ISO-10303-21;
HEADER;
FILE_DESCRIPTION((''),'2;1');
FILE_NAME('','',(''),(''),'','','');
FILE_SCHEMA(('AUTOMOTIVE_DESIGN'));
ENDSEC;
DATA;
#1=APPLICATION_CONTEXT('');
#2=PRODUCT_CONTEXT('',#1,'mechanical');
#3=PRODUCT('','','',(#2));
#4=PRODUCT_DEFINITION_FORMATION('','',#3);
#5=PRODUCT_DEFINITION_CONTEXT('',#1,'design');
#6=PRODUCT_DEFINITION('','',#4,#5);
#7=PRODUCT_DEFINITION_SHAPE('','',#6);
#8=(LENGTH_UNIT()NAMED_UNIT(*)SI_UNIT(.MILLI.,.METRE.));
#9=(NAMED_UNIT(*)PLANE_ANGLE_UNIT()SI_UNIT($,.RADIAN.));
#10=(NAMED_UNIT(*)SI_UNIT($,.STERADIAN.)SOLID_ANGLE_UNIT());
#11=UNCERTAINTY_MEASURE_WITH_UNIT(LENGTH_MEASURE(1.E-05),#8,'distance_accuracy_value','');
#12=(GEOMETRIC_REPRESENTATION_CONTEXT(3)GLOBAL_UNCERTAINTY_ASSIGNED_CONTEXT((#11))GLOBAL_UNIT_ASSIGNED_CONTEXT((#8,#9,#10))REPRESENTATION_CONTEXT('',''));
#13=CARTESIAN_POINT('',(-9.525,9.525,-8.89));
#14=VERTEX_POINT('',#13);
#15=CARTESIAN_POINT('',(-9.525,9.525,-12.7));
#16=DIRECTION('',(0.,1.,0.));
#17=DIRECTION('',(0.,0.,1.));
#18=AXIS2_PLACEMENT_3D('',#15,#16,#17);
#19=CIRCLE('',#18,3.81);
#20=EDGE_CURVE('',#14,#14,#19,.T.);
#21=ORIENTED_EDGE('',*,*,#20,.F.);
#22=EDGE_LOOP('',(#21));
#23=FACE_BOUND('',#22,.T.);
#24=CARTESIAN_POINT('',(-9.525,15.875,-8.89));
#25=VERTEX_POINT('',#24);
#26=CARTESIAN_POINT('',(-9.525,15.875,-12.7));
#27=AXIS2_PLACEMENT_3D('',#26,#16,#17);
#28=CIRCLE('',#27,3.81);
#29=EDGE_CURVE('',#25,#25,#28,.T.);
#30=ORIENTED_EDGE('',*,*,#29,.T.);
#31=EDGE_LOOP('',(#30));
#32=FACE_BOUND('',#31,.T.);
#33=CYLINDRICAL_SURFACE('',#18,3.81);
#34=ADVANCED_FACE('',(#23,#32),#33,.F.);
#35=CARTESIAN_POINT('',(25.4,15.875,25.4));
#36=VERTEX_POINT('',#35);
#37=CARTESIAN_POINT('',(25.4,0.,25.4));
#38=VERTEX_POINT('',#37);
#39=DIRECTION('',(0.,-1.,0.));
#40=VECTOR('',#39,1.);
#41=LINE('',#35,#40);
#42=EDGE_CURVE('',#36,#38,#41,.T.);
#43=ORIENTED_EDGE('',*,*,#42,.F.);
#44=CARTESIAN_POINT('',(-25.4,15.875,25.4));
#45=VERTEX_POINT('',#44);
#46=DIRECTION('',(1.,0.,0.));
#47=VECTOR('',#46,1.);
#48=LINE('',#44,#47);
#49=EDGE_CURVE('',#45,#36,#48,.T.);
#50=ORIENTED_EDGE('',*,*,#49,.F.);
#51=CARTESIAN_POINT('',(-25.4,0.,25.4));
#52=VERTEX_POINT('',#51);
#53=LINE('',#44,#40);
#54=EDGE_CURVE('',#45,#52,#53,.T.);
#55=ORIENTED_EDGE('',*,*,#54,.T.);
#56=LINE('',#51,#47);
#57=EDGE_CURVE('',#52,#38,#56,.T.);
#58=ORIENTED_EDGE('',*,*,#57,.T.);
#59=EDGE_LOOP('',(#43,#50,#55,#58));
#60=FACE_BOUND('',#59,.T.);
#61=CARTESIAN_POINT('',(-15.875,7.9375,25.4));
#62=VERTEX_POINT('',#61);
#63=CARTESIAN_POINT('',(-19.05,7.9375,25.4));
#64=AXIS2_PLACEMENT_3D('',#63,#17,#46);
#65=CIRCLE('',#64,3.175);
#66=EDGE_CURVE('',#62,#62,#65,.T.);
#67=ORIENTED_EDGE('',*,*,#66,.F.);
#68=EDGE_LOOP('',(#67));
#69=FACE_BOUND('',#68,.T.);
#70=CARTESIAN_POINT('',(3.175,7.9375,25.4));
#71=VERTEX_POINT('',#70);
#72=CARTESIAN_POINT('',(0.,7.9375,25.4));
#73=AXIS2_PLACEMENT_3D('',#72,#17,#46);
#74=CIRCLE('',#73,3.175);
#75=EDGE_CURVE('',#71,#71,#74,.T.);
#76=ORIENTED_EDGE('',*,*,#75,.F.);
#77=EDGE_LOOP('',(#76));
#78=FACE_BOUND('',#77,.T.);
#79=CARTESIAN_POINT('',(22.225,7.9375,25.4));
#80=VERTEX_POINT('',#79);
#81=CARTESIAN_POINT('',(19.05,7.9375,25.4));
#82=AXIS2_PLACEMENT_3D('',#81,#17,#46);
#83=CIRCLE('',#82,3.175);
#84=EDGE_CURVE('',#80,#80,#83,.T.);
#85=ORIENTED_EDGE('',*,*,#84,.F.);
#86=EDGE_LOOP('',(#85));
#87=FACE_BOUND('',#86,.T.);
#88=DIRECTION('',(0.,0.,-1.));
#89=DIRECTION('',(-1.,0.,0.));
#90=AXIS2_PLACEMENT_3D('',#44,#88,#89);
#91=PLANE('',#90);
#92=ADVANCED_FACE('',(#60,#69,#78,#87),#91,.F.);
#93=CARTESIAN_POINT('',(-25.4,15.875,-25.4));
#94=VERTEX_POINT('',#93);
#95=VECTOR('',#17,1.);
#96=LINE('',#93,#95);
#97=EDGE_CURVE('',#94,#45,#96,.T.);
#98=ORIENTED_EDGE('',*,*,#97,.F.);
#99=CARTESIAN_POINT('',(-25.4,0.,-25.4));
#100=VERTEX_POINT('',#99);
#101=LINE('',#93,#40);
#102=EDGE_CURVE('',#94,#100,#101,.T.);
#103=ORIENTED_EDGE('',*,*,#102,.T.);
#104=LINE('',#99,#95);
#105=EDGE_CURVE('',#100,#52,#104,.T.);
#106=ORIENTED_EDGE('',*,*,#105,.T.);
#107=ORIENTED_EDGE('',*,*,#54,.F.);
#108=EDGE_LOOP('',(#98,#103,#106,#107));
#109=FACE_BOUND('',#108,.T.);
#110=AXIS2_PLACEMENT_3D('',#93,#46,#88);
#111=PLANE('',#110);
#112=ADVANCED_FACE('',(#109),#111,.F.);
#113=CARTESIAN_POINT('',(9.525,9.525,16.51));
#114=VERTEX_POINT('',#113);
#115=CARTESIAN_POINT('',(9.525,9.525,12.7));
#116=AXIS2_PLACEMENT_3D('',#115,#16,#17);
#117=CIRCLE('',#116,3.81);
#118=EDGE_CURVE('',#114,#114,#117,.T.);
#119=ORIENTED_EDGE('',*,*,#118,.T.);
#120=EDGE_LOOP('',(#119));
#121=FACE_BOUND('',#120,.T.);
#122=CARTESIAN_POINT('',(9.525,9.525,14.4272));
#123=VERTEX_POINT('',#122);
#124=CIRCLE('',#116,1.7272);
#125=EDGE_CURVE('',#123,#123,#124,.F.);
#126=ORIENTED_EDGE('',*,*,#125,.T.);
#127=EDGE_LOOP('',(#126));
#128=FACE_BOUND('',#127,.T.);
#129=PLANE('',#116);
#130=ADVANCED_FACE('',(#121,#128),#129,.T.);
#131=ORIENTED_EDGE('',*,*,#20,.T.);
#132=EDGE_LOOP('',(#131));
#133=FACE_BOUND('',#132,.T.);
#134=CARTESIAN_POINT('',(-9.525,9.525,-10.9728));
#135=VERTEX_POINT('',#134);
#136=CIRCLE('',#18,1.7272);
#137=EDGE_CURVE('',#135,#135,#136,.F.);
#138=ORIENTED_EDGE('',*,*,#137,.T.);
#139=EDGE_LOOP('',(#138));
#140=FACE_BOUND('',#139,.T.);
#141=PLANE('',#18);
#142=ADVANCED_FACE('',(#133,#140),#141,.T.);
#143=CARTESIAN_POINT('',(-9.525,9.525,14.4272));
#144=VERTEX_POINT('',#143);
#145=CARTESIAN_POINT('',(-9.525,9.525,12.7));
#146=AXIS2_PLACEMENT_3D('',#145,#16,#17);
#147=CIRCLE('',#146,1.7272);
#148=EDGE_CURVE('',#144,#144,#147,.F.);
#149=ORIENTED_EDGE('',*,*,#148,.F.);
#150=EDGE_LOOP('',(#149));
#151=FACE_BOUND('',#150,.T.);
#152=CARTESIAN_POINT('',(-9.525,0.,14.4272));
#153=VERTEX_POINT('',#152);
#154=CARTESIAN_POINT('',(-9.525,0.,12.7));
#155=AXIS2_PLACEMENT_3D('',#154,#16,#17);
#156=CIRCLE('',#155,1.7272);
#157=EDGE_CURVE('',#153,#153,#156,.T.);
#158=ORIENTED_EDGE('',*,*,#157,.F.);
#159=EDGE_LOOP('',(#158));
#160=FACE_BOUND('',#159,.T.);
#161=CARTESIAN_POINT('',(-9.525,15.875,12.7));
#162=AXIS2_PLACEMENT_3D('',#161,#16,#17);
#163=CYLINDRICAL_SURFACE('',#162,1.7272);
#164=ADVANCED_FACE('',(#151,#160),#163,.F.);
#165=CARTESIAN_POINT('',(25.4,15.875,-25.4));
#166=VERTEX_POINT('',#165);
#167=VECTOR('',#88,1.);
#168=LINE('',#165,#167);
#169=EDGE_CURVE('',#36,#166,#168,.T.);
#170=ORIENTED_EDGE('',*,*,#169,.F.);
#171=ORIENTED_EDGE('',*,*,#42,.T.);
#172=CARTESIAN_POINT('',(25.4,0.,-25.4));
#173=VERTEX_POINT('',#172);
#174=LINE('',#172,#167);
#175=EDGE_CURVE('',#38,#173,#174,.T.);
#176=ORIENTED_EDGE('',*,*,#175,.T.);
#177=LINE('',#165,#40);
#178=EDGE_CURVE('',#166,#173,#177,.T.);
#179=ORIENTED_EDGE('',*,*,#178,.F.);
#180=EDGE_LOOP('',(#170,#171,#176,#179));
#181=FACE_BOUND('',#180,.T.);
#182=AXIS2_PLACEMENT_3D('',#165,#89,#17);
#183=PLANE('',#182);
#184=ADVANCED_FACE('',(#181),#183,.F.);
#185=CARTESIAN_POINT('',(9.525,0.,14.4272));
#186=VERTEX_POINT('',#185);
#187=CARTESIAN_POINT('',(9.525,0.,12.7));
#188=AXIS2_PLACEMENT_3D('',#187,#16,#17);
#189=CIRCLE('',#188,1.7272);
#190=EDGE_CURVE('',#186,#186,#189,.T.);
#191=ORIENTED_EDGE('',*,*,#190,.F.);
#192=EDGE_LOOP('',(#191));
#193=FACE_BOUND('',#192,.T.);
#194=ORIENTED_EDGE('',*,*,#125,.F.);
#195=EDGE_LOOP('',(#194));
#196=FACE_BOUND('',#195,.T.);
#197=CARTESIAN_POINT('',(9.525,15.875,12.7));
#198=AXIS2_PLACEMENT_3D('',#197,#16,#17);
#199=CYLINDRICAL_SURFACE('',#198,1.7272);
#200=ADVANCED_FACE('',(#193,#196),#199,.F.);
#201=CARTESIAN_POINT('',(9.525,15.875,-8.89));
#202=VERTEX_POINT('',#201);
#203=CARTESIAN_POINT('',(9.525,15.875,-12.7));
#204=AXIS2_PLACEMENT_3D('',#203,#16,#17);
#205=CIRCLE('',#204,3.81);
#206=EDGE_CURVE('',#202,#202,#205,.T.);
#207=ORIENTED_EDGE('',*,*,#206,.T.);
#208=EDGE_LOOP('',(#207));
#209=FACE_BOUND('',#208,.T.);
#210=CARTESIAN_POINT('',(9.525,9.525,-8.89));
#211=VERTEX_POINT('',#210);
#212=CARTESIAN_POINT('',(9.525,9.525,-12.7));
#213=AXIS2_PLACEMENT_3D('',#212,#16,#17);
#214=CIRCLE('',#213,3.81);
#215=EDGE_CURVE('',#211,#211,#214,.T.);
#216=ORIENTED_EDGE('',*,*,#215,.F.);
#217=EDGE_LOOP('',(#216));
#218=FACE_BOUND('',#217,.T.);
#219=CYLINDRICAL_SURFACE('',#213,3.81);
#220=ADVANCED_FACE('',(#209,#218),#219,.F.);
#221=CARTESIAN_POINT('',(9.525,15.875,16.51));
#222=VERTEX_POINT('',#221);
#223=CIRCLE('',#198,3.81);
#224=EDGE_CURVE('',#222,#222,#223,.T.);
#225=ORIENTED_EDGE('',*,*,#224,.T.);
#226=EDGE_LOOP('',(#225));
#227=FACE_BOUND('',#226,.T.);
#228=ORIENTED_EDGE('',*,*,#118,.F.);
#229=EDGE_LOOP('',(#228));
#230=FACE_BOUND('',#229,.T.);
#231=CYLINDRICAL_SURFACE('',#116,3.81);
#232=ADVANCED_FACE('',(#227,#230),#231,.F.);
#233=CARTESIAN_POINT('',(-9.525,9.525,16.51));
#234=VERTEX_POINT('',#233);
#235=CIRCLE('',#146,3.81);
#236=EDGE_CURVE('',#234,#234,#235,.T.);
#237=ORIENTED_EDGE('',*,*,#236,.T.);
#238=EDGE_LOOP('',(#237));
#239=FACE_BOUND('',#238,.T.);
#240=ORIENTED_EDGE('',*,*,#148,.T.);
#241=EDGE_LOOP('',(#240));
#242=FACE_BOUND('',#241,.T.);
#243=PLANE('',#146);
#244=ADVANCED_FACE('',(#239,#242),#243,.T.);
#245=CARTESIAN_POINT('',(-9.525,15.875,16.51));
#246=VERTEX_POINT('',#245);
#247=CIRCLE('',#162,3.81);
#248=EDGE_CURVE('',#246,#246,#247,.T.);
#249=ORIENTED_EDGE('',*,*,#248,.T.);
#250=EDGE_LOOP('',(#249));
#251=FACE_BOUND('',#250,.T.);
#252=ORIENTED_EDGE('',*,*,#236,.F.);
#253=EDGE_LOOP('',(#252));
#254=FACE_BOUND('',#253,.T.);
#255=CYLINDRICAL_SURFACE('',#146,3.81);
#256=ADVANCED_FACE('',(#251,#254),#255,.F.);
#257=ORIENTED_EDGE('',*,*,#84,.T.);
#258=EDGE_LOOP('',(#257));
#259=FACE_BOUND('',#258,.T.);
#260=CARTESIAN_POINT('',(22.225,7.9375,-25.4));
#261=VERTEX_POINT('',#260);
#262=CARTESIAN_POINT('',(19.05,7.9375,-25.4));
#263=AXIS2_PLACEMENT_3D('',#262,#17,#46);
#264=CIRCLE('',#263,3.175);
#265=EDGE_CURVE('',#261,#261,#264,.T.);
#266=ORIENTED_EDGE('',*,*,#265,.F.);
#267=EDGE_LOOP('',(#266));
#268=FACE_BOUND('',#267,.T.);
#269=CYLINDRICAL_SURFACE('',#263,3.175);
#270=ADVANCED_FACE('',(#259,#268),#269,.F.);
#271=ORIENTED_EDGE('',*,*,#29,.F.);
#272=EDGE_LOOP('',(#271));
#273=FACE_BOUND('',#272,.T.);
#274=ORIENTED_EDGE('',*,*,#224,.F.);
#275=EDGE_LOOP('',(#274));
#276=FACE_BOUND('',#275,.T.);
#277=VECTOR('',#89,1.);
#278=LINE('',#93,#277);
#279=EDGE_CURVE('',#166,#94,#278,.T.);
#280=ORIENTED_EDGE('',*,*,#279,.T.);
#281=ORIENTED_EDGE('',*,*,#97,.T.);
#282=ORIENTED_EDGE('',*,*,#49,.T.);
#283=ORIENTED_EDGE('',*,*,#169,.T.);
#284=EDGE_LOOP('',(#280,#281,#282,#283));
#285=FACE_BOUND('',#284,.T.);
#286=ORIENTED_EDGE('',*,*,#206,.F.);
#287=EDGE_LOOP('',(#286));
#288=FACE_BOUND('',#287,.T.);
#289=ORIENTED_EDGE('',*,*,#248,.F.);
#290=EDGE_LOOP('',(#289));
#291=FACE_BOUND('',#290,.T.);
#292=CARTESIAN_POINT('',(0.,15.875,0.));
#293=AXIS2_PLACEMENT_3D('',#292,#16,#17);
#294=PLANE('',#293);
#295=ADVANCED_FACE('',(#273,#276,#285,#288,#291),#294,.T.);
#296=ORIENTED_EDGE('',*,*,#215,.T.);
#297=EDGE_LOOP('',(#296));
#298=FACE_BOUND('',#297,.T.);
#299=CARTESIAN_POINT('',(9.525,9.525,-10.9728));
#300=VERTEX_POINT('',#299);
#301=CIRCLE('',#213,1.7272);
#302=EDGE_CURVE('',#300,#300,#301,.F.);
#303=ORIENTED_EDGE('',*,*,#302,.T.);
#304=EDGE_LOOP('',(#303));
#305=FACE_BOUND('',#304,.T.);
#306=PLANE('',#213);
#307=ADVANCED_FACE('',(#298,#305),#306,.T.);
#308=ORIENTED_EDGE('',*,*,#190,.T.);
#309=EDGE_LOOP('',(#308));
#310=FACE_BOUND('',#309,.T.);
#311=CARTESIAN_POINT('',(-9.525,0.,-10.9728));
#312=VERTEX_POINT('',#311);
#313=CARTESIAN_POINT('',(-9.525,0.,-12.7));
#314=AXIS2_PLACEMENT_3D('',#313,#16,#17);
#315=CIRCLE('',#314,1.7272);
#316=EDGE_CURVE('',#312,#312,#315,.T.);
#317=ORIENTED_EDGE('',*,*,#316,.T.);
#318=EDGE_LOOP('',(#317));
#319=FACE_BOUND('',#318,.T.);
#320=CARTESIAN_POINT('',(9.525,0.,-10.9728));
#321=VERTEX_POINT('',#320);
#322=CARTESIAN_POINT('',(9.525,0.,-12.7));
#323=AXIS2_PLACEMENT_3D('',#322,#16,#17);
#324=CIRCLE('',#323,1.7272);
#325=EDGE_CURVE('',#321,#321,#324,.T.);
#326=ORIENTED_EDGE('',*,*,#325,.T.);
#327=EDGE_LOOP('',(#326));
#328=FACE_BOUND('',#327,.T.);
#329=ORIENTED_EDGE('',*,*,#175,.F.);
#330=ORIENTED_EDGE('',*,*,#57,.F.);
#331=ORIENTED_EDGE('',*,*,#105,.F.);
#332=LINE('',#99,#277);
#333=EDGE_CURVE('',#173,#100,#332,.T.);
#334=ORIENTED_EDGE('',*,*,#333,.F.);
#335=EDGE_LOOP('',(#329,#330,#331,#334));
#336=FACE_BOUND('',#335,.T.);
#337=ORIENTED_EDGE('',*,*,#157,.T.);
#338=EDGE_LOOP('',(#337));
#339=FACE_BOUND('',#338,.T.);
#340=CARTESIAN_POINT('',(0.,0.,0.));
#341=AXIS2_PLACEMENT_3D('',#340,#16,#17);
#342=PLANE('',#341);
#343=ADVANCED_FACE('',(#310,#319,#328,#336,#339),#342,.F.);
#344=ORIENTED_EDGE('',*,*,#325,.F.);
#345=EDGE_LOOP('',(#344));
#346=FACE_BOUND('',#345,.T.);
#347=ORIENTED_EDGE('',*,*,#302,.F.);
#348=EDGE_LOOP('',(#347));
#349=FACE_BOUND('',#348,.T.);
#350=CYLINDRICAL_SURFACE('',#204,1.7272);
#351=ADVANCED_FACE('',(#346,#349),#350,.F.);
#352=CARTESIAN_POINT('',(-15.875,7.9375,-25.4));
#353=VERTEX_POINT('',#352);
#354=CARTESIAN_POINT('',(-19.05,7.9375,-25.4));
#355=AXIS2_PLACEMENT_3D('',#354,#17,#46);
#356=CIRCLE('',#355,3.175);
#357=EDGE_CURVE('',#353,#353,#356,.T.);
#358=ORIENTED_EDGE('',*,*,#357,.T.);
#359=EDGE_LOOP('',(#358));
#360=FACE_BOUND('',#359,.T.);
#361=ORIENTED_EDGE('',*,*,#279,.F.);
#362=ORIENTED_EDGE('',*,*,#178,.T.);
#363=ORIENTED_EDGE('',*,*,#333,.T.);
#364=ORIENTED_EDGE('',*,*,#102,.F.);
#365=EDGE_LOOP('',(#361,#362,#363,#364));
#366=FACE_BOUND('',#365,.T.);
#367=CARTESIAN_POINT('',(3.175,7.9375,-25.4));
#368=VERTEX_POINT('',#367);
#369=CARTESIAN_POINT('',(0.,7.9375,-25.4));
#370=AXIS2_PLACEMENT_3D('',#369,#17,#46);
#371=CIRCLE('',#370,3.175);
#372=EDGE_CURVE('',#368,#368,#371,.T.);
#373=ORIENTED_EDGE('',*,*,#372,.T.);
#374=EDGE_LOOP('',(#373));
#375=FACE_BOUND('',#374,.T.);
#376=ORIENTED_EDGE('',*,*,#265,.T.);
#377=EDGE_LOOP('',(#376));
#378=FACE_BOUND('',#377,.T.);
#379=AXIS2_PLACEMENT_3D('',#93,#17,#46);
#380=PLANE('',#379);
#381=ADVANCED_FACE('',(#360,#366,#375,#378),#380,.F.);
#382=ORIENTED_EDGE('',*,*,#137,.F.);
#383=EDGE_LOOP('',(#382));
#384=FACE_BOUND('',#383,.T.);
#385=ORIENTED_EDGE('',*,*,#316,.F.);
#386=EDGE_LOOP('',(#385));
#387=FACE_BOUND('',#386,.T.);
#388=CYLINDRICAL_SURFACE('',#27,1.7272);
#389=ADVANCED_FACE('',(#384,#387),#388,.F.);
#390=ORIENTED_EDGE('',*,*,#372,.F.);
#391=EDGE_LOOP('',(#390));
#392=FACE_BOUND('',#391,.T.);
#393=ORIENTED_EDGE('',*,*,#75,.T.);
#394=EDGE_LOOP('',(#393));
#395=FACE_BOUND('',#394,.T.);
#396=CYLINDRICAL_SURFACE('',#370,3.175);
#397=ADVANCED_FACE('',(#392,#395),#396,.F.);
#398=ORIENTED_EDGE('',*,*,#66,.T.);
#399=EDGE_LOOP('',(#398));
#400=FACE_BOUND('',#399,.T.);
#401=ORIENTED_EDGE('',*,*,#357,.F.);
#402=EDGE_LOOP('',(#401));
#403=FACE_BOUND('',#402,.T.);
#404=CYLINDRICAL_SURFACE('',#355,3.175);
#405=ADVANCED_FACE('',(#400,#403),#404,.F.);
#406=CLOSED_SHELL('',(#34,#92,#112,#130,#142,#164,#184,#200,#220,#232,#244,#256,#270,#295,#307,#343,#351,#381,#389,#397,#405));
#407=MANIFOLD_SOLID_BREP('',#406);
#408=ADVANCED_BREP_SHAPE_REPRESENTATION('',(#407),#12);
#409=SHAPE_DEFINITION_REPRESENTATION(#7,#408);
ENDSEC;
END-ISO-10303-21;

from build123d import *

# Parameters (mm, degrees)
SKETCH1_W                 = 50.8
SKETCH1_H                 = 50.8
BOSS_EXTRUDE1_DEPTH       = 15.875
SKETCH2_R                 = 3.175
CUT_EXTRUDE1_DEPTH        = 59.973007597
TAP_DRILL_FOR_8_32_TAP1_D = 3.4544
SKETCH5_R                 = 3.81
CUT_EXTRUDE2_DEPTH        = 6.35


with BuildPart() as part:
    # Sketch1 → Boss-Extrude1 (new body)
    with BuildSketch(Plane(origin=(0, 0, 0), x_dir=(1, 0, 0), z_dir=(0, 1, 0))):
        Rectangle(SKETCH1_W, SKETCH1_H)
    extrude(amount=BOSS_EXTRUDE1_DEPTH)

    # Sketch2 → Cut-Extrude1 (cut, through all)
    with BuildSketch(Plane.XY.offset(25.4)):
        with Locations((-19.05, 7.9375)):
            Circle(SKETCH2_R)
        with Locations((0, 7.9375)):
            Circle(SKETCH2_R)
        with Locations((19.05, 7.9375)):
            Circle(SKETCH2_R)
    extrude(amount=-CUT_EXTRUDE1_DEPTH, mode=Mode.SUBTRACT)

    # Tap Drill for #8-32 Tap1 (through all)
    with Locations(Plane(origin=(0, 15.875, 0), x_dir=(1, 0, 0), z_dir=(0, 1, 0))):
        with Locations((-9.525, -12.7), (-9.525, 12.7), (9.525, 12.7), (9.525, -12.7)):
            Hole(TAP_DRILL_FOR_8_32_TAP1_D / 2)

    # Sketch5 → Cut-Extrude2 (cut)
    with BuildSketch(Plane(origin=(0, 15.875, 0), x_dir=(1, 0, 0), z_dir=(0, 1, 0))):
        with Locations(Location((-9.525, 12.7, 0), (0, 0, 270))):
            Circle(SKETCH5_R)
        with Locations(Location((9.525, 12.7, 0), (0, 0, 270))):
            Circle(SKETCH5_R)
        with Locations(Location((9.525, -12.7, 0), (0, 0, 270))):
            Circle(SKETCH5_R)
        with Locations(Location((-9.525, -12.7, 0), (0, 0, 270))):
            Circle(SKETCH5_R)
    extrude(amount=-CUT_EXTRUDE2_DEPTH, mode=Mode.SUBTRACT)


solid = part.part
